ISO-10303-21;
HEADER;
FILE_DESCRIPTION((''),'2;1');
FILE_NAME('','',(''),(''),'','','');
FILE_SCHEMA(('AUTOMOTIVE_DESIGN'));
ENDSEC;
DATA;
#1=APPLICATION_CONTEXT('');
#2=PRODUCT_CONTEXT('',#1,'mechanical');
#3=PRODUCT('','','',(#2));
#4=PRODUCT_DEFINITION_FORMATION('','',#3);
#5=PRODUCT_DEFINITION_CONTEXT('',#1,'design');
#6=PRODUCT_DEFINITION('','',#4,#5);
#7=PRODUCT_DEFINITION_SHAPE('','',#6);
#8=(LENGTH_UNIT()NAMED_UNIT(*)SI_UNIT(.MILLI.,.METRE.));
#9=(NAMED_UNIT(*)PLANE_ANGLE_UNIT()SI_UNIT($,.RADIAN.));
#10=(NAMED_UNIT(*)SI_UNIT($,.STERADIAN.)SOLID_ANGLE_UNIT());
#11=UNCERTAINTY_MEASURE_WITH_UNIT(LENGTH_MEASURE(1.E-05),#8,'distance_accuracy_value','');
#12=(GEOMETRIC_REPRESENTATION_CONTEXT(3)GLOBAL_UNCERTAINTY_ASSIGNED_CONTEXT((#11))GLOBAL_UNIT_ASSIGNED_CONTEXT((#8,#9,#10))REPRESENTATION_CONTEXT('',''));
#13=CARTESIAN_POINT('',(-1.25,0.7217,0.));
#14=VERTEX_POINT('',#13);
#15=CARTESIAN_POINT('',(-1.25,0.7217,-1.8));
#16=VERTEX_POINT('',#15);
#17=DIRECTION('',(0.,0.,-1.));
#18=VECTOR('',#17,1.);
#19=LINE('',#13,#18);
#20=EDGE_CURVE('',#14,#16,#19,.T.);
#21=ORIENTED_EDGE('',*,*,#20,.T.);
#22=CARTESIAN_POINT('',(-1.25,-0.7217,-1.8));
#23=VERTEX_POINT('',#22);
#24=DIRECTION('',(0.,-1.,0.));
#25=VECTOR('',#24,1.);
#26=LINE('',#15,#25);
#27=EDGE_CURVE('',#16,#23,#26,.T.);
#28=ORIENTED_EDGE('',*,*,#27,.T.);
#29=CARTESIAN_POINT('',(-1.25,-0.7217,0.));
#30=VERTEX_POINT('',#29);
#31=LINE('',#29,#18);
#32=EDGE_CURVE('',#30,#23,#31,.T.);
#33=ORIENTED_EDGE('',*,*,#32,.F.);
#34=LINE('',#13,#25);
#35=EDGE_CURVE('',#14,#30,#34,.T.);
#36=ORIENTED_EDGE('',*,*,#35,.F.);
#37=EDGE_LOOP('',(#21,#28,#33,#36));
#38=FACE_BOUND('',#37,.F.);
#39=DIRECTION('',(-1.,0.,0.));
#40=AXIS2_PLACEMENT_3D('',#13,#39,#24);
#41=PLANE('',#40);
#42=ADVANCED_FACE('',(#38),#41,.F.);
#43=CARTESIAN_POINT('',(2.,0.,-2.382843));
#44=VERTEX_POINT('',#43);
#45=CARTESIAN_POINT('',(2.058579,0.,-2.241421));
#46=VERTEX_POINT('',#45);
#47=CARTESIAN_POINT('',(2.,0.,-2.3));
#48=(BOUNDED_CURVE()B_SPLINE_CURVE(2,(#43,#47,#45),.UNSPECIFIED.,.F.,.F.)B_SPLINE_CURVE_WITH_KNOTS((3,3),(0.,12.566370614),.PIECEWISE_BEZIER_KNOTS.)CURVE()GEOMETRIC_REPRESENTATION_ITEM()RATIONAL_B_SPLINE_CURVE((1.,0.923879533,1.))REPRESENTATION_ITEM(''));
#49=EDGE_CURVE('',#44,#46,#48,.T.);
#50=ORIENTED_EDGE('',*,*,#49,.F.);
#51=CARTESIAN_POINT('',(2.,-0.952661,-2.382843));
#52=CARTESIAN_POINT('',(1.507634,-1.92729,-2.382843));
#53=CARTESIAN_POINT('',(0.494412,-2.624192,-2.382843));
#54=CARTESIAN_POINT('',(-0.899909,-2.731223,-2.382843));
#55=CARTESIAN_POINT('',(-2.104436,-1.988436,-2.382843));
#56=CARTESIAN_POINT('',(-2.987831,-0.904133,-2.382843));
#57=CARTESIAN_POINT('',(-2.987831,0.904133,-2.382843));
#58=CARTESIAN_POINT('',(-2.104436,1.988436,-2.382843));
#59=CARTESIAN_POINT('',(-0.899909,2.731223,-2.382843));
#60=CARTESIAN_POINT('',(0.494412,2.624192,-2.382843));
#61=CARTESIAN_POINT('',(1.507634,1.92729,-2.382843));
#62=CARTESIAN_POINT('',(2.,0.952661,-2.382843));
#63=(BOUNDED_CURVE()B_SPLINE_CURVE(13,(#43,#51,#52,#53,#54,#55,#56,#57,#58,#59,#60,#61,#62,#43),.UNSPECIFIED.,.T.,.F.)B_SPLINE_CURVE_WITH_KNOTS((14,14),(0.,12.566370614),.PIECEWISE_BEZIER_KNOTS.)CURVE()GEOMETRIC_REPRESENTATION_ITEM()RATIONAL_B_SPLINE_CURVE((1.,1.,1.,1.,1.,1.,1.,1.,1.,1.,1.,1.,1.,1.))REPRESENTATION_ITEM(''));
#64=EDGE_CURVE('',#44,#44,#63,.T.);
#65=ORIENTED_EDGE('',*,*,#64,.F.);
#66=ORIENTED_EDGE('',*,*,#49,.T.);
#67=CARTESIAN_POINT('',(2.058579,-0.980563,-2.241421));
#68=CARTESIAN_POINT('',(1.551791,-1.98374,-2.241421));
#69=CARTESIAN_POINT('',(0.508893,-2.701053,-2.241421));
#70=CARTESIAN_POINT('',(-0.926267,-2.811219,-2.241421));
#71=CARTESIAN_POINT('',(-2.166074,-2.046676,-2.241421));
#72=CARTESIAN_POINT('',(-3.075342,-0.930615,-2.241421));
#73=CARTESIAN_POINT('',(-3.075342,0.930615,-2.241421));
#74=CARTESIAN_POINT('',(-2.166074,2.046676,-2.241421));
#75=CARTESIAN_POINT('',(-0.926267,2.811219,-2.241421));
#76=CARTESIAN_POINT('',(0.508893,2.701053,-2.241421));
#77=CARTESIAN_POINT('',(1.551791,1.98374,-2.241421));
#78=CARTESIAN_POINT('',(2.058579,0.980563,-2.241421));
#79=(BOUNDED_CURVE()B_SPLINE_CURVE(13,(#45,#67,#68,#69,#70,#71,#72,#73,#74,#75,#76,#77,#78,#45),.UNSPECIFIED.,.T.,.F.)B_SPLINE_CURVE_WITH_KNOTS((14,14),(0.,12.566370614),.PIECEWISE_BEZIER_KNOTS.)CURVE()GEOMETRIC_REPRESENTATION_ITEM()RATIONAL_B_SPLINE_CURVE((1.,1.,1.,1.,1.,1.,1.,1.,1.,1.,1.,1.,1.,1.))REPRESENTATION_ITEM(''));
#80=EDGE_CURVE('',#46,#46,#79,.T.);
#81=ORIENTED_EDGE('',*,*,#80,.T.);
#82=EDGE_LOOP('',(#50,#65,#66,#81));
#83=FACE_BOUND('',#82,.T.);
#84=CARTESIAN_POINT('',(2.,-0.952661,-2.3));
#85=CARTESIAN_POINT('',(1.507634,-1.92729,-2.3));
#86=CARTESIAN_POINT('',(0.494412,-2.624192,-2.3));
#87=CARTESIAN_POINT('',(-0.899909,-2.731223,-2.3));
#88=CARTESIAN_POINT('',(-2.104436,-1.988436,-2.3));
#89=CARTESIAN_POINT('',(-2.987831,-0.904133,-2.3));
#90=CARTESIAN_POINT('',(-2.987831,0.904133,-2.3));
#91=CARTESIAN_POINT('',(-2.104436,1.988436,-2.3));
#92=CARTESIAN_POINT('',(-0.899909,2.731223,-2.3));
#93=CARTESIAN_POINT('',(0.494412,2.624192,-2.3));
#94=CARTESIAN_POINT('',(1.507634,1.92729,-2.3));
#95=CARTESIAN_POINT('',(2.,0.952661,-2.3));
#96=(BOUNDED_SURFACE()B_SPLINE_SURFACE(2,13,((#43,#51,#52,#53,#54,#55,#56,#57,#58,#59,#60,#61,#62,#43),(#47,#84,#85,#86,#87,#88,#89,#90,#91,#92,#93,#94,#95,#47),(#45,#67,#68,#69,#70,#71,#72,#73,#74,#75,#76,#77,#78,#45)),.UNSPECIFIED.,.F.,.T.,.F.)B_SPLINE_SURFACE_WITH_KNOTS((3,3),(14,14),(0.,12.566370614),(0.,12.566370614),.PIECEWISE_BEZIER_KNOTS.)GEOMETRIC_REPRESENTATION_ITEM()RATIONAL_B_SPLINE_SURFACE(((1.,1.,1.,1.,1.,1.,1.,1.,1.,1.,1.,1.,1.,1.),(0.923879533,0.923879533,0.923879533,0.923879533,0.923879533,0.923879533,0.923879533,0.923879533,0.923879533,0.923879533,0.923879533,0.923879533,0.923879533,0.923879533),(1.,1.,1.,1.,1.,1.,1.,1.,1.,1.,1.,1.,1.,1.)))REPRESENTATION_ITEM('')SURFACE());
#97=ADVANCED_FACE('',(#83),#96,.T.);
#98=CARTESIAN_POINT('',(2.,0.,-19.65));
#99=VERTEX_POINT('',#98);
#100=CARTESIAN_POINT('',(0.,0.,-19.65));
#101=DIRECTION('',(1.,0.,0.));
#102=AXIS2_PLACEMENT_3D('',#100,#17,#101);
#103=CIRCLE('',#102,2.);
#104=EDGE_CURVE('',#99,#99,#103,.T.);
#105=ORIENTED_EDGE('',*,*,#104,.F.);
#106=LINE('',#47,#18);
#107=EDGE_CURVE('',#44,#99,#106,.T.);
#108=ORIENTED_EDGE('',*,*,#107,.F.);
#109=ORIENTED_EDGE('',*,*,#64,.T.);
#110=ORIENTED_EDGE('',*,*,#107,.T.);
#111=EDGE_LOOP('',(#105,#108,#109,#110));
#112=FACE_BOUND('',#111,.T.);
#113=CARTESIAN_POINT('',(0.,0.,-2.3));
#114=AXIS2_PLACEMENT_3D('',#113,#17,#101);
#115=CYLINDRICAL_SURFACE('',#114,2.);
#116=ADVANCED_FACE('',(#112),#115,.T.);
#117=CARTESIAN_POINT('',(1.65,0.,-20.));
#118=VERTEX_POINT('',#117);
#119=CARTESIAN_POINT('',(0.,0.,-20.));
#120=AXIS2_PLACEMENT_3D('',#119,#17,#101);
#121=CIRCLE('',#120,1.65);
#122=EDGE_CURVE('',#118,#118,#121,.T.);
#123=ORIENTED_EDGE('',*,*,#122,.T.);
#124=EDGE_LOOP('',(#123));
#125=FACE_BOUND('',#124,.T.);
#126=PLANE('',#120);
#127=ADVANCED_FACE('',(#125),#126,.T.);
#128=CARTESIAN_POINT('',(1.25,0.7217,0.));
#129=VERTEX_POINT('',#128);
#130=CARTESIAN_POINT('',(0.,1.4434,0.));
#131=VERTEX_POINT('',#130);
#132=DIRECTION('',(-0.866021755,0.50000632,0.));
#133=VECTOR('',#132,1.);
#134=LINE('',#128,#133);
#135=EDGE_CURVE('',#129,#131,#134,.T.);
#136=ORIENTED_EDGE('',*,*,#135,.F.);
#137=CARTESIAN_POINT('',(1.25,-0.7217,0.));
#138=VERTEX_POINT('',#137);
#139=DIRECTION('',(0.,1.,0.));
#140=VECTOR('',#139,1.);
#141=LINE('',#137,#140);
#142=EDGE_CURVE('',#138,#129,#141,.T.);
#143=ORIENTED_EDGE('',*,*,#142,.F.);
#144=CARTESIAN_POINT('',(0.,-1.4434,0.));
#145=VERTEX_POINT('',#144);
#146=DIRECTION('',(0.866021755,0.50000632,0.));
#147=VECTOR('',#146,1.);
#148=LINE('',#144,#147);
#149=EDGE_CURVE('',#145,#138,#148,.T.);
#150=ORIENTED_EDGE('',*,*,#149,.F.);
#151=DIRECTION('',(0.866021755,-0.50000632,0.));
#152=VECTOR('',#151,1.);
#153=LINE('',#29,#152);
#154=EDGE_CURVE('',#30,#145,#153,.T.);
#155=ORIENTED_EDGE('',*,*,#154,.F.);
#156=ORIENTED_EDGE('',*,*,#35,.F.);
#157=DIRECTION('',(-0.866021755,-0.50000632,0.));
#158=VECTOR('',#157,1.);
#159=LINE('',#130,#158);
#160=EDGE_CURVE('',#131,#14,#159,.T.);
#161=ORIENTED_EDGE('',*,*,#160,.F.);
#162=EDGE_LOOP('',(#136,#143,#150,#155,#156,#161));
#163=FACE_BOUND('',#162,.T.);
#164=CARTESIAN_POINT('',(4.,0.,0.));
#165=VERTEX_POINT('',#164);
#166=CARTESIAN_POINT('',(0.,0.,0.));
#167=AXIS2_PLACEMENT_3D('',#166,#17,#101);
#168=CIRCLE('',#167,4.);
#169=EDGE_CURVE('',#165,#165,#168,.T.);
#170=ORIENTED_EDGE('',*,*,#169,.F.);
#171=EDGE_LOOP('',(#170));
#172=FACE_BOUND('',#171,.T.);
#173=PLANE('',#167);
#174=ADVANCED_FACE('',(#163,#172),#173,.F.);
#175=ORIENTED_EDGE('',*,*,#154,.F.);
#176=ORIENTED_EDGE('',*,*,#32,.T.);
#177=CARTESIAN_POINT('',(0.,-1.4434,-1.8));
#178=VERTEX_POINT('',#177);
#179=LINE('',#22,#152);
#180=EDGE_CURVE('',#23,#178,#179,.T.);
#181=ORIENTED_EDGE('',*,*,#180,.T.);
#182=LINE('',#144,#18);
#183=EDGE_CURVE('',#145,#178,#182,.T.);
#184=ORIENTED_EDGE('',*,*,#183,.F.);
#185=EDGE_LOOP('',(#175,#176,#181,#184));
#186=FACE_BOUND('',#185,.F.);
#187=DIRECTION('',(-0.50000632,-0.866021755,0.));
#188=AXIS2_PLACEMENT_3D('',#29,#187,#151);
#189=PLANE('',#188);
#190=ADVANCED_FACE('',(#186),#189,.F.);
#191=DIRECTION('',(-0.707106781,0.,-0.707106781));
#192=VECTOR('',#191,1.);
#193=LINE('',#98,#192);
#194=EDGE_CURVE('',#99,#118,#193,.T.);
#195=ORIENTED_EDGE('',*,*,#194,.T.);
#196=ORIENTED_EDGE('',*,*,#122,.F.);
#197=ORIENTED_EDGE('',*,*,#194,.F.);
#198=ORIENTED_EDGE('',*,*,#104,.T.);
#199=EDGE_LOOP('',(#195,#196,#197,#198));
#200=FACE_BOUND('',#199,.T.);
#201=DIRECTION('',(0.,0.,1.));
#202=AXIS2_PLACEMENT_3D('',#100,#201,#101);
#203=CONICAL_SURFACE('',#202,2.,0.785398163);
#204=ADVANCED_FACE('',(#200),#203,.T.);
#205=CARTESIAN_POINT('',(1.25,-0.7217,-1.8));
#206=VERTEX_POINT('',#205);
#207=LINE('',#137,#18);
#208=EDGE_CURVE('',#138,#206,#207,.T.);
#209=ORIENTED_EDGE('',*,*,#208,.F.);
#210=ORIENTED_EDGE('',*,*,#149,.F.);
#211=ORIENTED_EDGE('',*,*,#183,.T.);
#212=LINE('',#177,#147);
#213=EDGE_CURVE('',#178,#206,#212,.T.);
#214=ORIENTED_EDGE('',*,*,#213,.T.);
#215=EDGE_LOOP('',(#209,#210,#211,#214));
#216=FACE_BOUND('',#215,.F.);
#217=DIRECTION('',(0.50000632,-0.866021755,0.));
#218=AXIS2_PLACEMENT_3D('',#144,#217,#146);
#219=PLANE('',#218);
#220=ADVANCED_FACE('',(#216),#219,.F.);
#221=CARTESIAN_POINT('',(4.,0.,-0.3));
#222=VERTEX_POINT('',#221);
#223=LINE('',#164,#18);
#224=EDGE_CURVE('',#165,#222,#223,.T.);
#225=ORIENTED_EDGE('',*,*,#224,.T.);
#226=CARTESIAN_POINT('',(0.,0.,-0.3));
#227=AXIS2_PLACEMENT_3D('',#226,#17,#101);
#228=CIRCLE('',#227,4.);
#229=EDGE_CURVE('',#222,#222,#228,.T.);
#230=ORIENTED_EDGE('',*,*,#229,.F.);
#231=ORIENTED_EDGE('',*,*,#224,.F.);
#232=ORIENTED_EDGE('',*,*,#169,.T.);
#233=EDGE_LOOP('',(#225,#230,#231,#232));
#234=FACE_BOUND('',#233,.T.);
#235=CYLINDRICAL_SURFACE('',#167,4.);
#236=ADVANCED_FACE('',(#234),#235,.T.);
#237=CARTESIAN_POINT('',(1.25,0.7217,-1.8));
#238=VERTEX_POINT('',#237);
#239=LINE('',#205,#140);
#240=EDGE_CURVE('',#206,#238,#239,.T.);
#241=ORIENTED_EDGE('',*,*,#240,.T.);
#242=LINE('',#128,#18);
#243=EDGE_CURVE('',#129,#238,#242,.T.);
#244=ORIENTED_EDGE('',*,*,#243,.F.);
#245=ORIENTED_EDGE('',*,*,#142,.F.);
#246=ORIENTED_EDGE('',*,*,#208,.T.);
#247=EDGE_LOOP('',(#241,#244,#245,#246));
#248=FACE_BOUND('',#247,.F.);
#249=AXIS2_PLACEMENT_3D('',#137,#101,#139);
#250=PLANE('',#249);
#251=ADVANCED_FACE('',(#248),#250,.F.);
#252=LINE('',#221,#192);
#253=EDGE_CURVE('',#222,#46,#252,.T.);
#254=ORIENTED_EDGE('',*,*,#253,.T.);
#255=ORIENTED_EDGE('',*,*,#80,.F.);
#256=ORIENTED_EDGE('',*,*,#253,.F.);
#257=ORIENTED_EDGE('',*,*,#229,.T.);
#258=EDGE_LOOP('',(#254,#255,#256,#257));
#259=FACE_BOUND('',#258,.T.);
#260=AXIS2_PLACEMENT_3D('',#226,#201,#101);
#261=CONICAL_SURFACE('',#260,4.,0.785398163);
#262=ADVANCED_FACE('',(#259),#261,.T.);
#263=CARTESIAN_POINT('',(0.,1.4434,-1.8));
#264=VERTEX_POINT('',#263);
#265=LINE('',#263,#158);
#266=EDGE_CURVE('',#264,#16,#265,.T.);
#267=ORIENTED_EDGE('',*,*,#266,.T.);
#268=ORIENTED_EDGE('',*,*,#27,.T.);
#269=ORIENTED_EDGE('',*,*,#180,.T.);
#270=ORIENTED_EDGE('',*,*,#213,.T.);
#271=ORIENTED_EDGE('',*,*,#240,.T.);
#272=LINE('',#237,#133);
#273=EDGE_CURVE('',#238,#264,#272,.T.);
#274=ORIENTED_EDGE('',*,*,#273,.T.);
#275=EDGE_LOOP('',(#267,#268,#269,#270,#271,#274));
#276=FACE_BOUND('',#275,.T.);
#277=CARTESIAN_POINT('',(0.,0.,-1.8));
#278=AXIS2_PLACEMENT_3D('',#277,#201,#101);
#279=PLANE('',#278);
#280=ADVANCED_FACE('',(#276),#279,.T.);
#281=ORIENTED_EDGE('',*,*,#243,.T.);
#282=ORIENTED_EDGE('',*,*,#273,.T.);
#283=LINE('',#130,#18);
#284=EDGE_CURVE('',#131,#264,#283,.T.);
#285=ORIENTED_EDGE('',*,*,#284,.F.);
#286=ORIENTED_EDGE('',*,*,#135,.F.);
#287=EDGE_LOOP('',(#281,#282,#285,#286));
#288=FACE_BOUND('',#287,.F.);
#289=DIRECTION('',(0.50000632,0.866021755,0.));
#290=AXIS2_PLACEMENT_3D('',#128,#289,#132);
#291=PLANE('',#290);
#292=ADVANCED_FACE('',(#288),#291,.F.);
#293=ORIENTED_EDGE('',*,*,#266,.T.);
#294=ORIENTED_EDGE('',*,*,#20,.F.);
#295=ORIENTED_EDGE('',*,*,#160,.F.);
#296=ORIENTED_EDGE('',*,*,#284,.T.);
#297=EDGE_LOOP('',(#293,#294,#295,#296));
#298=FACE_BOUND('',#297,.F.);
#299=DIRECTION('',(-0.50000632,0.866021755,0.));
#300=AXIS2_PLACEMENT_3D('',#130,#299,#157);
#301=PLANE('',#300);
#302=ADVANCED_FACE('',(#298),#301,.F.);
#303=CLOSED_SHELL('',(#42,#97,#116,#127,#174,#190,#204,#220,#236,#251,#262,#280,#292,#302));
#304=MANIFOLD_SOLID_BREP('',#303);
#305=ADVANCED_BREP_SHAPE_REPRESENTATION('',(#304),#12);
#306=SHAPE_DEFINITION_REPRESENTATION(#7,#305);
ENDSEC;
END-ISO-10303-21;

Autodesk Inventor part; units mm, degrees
ref_plane "YZ Plane" through (0, 0, 0) normal (1, 0, 0) x (0, 1, 0)
sketch "Sketch1" plane through (0, 0, 0) normal (0, 1, 0) x (-1, 0, 0)
  point P0 (0, 0)
sketch "Sketch2" plane through (0, 0, 0) normal (0, 1, 0) x (-1, 0, 0)
  line L0 (-2, -20) -> (0, -20)
  line L1 (-2, -2.3) -> (-2, -20)
  line L2 (-4, -0.3) -> (-2, -2.3)
  line L3 (-4, 0) -> (-4, -0.3)
  line L4 (0, 0) -> (-4, 0)
  line L5 (0, -20) -> (0, 0)
  line L6 (0, -20) -> (0, 0)
  line L7 (0, -24) -> (0, 4) projected
  line L8 (0.8, 0) -> (-4.8, 0) projected
  dimension "d3" = 4
  dimension "d5" = 2
  dimension "d7" = 20
  dimension "ParC" = 0.3
  dimension "d22" = 0
  dimension "d23" = 0
  dimension "d43" = 45
revolve "Revolution1" add sketch "Sketch2" angle 360 about axis through (0, 0, -20) along (0, 0, -1)
sketch "Sketch3" plane through (0, 0, 0) normal (0, 0, 1) x (1, 0, 0)
  line L0 (-1.25, 0.7217) -> (-1.25, -0.7217)
  line L1 (0, 1.4434) -> (-1.25, 0.7217)
  line L2 (1.25, 0.7217) -> (0, 1.4434)
  line L3 (1.25, -0.7217) -> (1.25, 0.7217)
  line L4 (0, -1.4434) -> (1.25, -0.7217)
  line L5 (-1.25, -0.7217) -> (0, -1.4434)
  circle A0 centre (0, 0) radius 1.25 construction
  circle A1 centre (0, 0) radius 2 construction
  dimension "d11" = 2.5
  dimension "d13" = 120
  dimension "d15" = 120
extrude "Extrusion1" cut sketch "Sketch3" against normal blind 1.8
fillet "Fillet1" radius 0.2 1 edges at (-2, 0, -2.3)
chamfer "Chamfer1" distance 0.35 angle 45 1 edges at (-2, 0, -20) measured on face at (-0.9288, -1.7713, -14.1276)
thread "Thread1" size "M4x0.7" class "6g" standard "ISO Metric profile" length 14
ref_plane "MSC_PF1" through (0, 0, 0) normal (1, 0, 0) x (0, 1, 0)
ref_plane "MSC_PT1" through (0, 0, 0) normal (0, 0, -1) x (-1, 0, 0)
equation "\"d3\" = 0.5 * dk"
equation "\"d5\" = 0.5 * NND"
equation "\"d7\" = NLG"
equation "\"d43\" = 0.5 * ang"
equation "\"d18\" = r"
equation "\"d19\" = 0.5 * PTC"
equation "\"d39\" = 0.5 * PTC"
equation "\"d11\" = ParS"
equation "\"d16\" = ParT"
equation "\"NND\" = 4"
equation "\"PTC\" = 0.7"
equation "\"dk\" = 8"
equation "\"ParK\" = 2.3"
equation "\"ParS\" = 2.5"
equation "\"ParT\" = 1.8"
equation "\"r\" = 0.2"
equation "\"NLG\" = 20"
equation "\"ang\" = 90deg"
equation "\"THREADDIA\" = NND"
properties part number "ISO 10642 - M4x20" material "Steel, Mild"
